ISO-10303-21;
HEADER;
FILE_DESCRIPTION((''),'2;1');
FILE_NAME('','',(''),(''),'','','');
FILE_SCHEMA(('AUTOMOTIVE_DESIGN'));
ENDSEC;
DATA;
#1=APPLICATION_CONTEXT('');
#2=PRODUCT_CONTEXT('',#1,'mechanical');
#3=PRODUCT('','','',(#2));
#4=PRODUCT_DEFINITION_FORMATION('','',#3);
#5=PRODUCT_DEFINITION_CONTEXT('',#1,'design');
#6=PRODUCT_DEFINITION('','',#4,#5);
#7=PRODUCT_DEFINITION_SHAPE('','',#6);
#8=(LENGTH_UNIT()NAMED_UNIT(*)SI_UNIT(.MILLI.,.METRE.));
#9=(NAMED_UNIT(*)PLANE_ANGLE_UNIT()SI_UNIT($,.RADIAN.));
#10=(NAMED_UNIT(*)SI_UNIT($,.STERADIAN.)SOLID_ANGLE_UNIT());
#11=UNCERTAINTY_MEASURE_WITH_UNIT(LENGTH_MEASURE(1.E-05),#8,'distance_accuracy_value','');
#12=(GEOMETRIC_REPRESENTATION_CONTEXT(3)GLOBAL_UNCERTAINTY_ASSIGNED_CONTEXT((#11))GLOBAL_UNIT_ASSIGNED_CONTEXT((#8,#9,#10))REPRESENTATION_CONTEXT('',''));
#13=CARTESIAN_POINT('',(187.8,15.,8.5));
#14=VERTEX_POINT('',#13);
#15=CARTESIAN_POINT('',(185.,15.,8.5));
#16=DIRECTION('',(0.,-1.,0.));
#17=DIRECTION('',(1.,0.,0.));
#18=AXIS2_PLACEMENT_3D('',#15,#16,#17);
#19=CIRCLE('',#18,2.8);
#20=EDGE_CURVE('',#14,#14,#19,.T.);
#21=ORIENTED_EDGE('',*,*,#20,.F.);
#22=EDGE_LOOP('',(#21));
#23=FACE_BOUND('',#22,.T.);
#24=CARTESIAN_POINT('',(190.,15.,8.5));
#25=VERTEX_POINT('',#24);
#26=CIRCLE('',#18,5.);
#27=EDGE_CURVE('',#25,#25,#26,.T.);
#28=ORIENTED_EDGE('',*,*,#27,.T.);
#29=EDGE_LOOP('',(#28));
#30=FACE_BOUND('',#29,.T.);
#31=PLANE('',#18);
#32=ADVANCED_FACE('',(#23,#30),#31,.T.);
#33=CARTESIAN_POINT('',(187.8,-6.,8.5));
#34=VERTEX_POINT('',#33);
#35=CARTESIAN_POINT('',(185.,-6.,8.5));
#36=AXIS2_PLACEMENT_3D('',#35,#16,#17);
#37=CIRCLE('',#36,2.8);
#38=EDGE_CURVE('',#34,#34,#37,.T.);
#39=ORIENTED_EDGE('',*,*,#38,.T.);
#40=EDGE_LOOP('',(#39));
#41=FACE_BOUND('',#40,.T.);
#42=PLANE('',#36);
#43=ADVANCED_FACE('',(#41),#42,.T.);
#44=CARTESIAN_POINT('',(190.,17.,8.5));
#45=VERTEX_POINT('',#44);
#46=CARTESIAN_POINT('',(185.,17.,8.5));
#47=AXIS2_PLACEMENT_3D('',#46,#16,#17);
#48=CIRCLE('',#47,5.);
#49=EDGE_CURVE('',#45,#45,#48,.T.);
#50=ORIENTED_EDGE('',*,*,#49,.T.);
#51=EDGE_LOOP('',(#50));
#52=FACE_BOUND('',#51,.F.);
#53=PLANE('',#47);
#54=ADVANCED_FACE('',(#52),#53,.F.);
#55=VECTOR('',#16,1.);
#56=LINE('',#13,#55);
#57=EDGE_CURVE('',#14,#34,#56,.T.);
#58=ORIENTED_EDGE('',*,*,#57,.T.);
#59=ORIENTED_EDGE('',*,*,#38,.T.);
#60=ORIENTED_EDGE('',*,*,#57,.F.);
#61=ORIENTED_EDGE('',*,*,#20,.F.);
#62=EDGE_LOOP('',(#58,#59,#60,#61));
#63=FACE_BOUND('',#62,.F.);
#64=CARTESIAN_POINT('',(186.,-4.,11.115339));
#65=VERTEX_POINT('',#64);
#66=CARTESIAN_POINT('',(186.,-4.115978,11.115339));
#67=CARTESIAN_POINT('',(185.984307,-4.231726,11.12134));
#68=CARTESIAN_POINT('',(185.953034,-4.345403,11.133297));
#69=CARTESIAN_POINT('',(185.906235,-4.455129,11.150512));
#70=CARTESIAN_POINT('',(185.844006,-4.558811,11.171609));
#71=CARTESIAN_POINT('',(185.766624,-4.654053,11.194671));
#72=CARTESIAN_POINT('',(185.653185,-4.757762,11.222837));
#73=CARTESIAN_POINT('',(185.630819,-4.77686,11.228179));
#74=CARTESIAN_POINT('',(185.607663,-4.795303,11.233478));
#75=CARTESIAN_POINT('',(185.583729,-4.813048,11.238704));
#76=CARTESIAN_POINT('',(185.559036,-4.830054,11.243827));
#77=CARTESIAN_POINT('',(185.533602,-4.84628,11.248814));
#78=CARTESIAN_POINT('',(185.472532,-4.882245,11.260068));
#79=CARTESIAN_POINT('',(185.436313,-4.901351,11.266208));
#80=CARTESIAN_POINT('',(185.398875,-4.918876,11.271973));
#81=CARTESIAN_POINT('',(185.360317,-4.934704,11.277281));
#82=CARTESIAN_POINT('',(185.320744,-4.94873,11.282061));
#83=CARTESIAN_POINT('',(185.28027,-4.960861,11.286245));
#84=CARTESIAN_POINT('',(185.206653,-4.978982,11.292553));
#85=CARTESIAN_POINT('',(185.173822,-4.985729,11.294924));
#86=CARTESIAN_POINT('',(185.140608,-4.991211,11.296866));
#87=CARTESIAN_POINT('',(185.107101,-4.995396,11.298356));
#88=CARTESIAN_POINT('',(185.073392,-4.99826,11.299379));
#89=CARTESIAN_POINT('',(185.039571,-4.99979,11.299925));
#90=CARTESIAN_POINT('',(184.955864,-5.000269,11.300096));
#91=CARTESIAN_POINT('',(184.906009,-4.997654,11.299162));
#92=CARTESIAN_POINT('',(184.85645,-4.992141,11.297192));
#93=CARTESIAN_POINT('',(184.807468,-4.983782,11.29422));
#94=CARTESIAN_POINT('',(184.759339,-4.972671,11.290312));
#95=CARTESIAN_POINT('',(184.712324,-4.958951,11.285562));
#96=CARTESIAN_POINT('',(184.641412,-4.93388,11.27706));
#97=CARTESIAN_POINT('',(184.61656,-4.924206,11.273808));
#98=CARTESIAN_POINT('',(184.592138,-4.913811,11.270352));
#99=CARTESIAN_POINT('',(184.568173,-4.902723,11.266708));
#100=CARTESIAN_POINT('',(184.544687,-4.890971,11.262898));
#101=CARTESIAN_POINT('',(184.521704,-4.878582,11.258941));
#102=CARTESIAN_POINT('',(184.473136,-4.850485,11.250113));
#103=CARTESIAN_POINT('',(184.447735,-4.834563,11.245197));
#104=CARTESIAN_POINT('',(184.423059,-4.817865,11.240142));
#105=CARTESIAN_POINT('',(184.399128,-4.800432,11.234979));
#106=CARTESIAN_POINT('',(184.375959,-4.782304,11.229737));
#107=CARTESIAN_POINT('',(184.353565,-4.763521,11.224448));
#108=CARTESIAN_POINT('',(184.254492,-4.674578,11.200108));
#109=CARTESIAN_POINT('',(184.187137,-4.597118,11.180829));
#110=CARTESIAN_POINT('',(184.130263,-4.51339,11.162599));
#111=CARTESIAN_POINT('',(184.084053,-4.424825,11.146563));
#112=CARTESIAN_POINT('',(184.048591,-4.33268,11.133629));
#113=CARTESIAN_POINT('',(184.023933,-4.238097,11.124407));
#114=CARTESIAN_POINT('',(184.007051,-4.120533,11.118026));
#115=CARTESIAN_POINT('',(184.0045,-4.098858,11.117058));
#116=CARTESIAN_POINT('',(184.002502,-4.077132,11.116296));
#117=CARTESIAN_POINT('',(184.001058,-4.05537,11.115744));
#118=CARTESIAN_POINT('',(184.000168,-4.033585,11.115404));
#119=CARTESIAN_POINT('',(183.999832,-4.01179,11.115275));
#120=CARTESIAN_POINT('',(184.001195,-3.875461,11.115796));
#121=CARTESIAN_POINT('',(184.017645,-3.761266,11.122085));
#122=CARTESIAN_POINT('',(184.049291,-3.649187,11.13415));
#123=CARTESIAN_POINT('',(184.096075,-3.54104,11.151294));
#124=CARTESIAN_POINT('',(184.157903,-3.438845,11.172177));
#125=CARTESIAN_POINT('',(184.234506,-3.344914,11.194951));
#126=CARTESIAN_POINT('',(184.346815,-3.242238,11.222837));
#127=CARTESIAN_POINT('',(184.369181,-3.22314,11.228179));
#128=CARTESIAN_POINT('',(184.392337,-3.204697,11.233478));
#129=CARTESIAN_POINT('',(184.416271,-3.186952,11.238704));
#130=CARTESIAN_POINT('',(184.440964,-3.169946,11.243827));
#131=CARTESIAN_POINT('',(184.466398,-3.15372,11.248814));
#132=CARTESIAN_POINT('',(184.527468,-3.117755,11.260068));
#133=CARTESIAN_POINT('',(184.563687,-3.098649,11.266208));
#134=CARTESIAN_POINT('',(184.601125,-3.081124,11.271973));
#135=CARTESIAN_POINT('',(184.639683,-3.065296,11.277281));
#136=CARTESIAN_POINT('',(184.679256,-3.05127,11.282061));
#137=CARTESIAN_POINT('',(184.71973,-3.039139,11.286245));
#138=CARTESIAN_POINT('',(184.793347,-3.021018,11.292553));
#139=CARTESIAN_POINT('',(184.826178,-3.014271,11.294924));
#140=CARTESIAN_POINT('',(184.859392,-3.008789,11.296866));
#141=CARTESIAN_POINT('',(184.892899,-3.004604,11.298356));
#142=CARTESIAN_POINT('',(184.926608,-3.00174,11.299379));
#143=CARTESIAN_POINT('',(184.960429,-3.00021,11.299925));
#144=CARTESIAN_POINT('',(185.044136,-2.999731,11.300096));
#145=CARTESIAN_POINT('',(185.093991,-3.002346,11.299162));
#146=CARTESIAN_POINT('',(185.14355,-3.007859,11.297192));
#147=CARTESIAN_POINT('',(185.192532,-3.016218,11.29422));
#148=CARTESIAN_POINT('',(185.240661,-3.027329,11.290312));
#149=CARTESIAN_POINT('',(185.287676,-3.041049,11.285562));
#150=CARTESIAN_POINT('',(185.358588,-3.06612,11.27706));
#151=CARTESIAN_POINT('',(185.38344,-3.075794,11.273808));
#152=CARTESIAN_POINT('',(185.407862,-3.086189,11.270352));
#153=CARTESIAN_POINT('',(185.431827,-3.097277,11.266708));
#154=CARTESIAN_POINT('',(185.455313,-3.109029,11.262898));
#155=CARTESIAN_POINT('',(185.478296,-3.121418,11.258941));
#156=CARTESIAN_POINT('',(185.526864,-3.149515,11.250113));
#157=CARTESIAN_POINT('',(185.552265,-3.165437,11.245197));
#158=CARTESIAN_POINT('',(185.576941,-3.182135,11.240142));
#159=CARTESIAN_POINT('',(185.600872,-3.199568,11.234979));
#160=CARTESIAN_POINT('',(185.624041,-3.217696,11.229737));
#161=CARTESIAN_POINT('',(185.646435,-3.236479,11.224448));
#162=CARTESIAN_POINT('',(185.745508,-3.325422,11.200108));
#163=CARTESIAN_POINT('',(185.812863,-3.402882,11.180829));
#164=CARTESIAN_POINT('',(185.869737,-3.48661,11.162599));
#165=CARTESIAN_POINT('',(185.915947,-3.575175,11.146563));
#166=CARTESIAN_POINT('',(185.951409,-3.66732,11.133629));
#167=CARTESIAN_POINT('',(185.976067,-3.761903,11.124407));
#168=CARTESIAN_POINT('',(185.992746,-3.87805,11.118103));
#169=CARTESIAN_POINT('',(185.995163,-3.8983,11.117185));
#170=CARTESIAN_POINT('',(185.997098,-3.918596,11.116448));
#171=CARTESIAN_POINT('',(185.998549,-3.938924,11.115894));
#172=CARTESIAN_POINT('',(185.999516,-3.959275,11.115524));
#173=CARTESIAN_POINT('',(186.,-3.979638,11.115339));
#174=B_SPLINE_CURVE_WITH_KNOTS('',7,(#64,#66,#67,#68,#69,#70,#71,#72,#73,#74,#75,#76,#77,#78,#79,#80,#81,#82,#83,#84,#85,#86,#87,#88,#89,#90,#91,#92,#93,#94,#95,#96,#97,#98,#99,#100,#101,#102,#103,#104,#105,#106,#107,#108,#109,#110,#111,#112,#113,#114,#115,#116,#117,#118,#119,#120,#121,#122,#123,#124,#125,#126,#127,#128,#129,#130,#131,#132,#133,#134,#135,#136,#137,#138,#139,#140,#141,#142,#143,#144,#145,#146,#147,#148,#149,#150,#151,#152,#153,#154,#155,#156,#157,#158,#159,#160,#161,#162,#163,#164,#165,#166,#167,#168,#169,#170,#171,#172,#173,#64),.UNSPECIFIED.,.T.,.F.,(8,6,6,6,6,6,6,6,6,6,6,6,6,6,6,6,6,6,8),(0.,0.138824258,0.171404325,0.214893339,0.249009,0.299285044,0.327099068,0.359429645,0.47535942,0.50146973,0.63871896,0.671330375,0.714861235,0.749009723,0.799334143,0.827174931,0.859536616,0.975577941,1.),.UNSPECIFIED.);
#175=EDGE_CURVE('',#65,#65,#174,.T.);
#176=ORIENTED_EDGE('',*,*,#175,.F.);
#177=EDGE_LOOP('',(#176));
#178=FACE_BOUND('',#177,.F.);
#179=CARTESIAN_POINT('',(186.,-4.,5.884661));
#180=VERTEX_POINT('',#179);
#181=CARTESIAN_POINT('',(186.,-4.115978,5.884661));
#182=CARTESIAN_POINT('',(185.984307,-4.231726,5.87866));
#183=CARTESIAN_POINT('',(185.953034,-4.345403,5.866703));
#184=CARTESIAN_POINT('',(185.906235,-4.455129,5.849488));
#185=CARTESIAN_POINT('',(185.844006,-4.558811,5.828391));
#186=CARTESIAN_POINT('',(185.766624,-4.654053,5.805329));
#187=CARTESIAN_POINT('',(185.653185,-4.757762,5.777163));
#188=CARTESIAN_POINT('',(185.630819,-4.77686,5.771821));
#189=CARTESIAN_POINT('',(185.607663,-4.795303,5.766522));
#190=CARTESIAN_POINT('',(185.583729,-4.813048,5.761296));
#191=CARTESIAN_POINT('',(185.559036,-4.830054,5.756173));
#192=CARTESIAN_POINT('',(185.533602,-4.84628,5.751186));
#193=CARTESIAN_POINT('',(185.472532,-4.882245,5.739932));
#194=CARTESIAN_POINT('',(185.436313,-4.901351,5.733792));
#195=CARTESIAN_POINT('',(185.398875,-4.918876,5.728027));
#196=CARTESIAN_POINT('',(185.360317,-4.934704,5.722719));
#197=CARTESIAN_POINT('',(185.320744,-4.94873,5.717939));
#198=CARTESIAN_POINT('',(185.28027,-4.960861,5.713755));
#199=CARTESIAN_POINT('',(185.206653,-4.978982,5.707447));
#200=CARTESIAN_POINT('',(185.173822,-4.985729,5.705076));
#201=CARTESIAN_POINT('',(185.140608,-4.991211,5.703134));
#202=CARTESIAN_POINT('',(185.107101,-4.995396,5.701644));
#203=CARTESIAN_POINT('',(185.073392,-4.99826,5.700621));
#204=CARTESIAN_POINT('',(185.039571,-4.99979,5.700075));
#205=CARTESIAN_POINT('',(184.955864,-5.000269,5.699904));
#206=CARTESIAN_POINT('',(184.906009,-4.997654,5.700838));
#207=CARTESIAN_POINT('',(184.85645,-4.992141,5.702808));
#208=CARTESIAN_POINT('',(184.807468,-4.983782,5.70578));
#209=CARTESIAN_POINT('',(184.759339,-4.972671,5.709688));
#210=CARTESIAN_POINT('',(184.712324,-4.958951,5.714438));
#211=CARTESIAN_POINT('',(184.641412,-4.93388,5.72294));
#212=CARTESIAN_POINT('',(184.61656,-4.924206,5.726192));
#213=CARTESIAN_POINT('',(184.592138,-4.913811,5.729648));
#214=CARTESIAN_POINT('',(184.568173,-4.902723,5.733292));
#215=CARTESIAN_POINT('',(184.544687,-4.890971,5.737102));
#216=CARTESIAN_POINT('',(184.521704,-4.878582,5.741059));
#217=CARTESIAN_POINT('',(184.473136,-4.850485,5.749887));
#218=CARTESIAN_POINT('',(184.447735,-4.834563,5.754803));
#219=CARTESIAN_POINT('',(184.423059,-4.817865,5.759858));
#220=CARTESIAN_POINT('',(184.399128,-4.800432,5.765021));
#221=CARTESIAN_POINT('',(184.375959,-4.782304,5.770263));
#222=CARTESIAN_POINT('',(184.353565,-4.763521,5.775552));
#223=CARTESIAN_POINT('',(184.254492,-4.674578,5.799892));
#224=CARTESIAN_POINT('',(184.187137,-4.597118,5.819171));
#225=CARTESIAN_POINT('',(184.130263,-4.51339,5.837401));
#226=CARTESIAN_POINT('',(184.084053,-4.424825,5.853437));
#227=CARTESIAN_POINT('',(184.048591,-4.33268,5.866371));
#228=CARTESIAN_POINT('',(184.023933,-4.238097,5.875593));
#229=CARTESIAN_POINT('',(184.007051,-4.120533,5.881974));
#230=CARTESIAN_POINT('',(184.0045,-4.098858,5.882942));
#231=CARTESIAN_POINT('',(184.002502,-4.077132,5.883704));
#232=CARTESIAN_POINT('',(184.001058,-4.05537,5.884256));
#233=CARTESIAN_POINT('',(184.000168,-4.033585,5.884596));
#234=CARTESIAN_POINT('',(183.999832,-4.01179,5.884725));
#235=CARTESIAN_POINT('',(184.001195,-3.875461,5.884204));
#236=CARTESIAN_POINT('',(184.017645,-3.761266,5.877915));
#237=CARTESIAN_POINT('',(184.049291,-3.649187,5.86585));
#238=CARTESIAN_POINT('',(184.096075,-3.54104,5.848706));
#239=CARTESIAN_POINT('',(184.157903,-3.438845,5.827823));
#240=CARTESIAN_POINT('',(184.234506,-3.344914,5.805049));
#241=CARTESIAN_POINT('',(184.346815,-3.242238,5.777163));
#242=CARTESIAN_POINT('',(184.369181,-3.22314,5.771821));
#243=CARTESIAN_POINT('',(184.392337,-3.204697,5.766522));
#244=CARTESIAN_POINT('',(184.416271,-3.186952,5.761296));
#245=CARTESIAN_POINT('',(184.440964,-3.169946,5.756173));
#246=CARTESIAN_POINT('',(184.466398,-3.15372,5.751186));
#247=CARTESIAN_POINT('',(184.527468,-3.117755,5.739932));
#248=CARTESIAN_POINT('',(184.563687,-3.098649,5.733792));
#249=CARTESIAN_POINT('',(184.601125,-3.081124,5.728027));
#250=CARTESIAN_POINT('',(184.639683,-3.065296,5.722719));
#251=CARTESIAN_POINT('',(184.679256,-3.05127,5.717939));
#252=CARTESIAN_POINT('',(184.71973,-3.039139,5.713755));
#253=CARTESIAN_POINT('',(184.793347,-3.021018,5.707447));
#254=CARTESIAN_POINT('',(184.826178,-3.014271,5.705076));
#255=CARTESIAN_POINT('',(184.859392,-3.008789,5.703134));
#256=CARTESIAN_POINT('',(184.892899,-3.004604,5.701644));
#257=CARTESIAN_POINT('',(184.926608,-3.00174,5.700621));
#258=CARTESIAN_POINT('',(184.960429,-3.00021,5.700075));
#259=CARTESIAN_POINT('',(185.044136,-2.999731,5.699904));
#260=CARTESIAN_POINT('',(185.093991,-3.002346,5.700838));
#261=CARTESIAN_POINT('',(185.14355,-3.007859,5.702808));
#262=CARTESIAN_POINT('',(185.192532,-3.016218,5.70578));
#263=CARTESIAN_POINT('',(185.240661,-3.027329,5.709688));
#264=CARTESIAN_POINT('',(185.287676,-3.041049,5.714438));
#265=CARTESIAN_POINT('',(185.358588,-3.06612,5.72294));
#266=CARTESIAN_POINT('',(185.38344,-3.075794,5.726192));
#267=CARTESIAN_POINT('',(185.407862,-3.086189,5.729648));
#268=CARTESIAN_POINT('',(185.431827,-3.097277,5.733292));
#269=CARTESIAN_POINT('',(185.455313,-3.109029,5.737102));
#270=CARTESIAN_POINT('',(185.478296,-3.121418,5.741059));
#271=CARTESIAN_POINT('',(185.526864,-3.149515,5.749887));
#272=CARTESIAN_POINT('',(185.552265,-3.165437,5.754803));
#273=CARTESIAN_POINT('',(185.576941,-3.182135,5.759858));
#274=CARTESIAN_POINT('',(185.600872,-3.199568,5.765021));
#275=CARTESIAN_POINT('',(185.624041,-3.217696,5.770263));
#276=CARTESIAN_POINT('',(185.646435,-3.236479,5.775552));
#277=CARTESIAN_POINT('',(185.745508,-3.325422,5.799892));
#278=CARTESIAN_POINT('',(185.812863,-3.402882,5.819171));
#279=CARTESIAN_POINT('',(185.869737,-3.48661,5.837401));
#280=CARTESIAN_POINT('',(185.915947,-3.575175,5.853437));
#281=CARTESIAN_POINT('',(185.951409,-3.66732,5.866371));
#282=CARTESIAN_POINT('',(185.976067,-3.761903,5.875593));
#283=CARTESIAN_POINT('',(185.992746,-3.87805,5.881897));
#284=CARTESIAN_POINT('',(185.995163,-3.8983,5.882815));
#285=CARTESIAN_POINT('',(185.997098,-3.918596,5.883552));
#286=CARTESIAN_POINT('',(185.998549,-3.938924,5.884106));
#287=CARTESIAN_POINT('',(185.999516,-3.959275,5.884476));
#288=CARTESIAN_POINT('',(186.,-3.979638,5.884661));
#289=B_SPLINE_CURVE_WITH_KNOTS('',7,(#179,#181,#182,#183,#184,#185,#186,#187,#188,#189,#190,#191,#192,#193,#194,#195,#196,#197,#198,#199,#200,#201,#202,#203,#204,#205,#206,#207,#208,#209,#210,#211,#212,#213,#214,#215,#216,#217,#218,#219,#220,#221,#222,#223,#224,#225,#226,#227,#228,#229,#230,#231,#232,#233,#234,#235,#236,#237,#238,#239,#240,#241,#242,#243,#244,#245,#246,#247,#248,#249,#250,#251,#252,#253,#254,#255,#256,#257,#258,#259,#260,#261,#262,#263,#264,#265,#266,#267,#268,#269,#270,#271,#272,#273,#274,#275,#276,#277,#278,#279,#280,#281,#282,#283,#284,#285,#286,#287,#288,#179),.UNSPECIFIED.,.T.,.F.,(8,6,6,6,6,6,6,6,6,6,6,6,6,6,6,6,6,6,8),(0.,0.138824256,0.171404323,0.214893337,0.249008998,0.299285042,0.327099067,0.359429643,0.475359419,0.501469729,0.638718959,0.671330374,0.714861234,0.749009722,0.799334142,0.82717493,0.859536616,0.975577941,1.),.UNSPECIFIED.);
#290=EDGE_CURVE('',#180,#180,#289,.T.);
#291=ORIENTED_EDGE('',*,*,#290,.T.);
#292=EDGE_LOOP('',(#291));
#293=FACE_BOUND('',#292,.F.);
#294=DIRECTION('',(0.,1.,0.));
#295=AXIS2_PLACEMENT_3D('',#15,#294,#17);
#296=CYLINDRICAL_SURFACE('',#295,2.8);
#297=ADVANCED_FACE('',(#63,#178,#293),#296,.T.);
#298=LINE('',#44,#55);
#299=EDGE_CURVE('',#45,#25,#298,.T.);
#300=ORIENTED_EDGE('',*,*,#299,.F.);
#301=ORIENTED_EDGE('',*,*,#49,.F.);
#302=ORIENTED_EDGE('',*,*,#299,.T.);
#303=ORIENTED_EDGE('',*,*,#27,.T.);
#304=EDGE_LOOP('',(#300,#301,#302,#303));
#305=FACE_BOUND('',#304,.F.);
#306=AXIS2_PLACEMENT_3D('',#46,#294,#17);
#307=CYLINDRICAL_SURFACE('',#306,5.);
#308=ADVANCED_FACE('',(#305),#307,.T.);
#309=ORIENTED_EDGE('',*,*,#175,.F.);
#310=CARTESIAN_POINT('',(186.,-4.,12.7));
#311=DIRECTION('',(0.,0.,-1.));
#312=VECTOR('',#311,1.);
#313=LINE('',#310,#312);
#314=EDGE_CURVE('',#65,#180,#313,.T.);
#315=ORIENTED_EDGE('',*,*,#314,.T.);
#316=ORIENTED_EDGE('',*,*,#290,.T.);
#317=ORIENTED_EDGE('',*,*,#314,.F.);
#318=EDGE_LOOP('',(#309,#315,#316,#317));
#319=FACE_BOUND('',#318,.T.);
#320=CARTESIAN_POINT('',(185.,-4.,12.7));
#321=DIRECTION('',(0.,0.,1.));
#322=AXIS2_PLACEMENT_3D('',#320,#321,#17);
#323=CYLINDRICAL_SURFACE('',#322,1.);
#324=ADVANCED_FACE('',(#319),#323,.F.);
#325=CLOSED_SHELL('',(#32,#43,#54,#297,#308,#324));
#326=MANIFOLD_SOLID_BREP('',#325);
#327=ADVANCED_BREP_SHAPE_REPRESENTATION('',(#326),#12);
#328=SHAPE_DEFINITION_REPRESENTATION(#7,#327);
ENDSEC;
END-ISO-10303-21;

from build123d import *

# Parameters (mm, degrees)
SKETCH004_R       = 1
PAD004_DEPTH      = 10
CYLINDER009_R     = 2.8
CYLINDER009_DEPTH = 21
CYLINDER010_R     = 5
CYLINDER010_DEPTH = 2
CUT004_ROLL_ANGLE = 90


with BuildPart() as pad004:
    # Sketch004 → Pad004 (new body)
    with BuildSketch(Plane(origin=(0, 4.2, 21), x_dir=(1, 0, 0), z_dir=(0, -1, 0))):
        Circle(SKETCH004_R)
    extrude(amount=PAD004_DEPTH)


with BuildPart() as eje:
    # Cylinder009 → Cylinder009 (new body)
    with BuildSketch(Plane.XY.offset(2)):
        Circle(CYLINDER009_R)
    extrude(amount=CYLINDER009_DEPTH)


with BuildPart() as eje_full:
    # Cylinder010 → Cylinder010 (new body)
    with BuildSketch(Plane.XY):
        Circle(CYLINDER010_R)
    extrude(amount=CYLINDER010_DEPTH)

    # Fusion009: union Eje
    add(eje.part)

    # Cut004: cut Pad004
    add(pad004.part, mode=Mode.SUBTRACT)


with BuildPart() as eje_full_1:
    # Cut004 roll: moved
    add(eje_full.part.rotate(Axis((0, 0, 0), (1, 0, 0)), CUT004_ROLL_ANGLE))


with BuildPart() as eje_full_2:
    # Cut004 placement: moved
    add(eje_full_1.part.moved(Location((185, 17, 8.5))))


solid = eje_full_2.part
